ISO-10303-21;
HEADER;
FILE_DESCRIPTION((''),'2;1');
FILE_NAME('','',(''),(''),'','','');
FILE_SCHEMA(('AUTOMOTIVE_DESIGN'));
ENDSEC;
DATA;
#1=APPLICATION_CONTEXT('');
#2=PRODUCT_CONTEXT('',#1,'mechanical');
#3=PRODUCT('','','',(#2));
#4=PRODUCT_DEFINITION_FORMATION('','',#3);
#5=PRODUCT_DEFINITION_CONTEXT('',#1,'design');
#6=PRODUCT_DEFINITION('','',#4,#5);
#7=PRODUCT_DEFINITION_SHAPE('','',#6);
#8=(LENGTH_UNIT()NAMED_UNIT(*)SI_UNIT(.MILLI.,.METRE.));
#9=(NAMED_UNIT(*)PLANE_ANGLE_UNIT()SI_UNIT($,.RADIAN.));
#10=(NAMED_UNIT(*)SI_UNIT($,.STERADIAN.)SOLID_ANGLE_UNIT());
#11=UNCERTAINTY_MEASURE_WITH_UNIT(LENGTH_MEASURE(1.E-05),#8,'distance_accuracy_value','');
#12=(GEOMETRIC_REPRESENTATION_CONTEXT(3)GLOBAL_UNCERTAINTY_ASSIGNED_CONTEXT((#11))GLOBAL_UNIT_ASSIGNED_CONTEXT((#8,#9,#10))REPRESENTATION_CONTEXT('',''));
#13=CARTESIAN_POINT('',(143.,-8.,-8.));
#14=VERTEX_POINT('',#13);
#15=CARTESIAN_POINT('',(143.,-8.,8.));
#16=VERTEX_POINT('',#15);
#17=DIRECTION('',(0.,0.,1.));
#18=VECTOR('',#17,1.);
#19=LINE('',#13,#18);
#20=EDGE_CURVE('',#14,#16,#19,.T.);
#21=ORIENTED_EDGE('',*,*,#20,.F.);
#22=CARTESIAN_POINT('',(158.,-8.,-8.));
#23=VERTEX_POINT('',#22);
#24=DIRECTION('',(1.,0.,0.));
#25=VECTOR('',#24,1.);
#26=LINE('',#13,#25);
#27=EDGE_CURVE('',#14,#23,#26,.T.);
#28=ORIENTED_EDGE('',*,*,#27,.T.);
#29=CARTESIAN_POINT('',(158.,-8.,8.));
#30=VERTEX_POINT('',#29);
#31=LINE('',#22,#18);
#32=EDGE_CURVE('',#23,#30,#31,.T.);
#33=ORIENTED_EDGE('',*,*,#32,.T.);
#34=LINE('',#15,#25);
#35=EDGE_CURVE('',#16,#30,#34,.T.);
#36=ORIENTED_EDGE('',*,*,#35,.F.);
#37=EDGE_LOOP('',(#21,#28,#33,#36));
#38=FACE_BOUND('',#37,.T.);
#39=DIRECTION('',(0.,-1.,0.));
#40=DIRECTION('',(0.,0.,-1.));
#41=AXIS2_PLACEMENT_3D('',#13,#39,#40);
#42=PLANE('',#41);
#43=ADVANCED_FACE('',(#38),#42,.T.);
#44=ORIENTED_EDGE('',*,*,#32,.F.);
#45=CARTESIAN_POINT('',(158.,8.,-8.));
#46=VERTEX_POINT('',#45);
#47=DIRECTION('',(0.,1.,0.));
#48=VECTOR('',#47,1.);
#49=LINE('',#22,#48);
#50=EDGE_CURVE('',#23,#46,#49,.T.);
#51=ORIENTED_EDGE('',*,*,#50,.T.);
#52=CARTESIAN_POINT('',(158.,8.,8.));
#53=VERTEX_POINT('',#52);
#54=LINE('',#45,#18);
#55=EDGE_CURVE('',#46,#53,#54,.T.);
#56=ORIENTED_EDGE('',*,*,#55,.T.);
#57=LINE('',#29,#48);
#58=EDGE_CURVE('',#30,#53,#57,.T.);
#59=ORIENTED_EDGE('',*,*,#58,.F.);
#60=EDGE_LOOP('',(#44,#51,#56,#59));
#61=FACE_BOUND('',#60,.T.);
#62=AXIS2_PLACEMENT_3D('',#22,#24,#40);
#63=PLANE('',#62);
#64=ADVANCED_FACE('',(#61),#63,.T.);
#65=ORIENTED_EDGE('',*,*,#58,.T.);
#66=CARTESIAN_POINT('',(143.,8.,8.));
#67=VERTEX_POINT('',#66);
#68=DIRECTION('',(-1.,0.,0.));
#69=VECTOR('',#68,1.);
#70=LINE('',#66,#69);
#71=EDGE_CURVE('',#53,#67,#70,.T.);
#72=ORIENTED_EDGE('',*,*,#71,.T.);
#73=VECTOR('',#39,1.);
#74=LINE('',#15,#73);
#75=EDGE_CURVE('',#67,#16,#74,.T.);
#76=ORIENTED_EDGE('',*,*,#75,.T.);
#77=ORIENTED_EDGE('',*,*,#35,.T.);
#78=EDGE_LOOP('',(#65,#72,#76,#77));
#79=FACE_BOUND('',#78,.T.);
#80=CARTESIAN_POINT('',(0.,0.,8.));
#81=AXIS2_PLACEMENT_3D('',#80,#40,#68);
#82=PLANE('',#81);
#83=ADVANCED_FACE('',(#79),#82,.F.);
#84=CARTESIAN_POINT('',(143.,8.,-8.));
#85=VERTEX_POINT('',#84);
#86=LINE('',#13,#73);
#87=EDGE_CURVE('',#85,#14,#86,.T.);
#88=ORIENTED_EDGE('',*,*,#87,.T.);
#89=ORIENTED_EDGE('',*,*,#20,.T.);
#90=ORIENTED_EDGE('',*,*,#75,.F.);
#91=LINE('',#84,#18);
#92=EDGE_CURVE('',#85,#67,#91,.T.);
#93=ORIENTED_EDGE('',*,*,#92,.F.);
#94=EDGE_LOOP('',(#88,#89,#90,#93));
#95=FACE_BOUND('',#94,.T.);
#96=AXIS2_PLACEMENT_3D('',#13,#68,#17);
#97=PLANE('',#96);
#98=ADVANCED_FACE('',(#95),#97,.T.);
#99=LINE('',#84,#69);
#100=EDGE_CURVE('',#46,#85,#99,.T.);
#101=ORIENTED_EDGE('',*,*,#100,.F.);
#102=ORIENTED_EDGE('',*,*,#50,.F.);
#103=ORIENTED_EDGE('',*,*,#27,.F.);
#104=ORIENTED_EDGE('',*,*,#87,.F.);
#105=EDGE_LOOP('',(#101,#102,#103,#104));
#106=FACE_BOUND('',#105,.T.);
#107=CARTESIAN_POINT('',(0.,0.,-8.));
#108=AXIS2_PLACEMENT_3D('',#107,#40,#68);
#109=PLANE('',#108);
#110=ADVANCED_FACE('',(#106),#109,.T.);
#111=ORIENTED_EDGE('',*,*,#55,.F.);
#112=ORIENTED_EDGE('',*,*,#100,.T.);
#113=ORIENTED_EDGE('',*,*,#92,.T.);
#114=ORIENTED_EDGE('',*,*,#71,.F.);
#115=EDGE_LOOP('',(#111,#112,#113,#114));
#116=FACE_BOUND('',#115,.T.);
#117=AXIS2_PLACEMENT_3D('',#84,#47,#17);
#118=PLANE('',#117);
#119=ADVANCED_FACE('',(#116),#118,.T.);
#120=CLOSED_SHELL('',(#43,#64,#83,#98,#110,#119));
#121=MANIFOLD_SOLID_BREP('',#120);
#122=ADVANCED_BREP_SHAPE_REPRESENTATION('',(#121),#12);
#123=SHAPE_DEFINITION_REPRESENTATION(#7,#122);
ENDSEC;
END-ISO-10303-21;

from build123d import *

# Parameters (mm, degrees)
MTG_M12_SOKET_1_START = 8
SKETCH1_W             = 15
SKETCH1_H             = 16
MTG_M12_SOKET_1_DEPTH = 16


with BuildPart() as part:
    # Sketch1 → MTG_M12_soket_1 (new body)
    with BuildSketch(Plane.XY.offset(MTG_M12_SOKET_1_START)):
        with Locations((150.5, 0)):
            Rectangle(SKETCH1_W, SKETCH1_H)
    extrude(amount=-MTG_M12_SOKET_1_DEPTH)


solid = part.part
